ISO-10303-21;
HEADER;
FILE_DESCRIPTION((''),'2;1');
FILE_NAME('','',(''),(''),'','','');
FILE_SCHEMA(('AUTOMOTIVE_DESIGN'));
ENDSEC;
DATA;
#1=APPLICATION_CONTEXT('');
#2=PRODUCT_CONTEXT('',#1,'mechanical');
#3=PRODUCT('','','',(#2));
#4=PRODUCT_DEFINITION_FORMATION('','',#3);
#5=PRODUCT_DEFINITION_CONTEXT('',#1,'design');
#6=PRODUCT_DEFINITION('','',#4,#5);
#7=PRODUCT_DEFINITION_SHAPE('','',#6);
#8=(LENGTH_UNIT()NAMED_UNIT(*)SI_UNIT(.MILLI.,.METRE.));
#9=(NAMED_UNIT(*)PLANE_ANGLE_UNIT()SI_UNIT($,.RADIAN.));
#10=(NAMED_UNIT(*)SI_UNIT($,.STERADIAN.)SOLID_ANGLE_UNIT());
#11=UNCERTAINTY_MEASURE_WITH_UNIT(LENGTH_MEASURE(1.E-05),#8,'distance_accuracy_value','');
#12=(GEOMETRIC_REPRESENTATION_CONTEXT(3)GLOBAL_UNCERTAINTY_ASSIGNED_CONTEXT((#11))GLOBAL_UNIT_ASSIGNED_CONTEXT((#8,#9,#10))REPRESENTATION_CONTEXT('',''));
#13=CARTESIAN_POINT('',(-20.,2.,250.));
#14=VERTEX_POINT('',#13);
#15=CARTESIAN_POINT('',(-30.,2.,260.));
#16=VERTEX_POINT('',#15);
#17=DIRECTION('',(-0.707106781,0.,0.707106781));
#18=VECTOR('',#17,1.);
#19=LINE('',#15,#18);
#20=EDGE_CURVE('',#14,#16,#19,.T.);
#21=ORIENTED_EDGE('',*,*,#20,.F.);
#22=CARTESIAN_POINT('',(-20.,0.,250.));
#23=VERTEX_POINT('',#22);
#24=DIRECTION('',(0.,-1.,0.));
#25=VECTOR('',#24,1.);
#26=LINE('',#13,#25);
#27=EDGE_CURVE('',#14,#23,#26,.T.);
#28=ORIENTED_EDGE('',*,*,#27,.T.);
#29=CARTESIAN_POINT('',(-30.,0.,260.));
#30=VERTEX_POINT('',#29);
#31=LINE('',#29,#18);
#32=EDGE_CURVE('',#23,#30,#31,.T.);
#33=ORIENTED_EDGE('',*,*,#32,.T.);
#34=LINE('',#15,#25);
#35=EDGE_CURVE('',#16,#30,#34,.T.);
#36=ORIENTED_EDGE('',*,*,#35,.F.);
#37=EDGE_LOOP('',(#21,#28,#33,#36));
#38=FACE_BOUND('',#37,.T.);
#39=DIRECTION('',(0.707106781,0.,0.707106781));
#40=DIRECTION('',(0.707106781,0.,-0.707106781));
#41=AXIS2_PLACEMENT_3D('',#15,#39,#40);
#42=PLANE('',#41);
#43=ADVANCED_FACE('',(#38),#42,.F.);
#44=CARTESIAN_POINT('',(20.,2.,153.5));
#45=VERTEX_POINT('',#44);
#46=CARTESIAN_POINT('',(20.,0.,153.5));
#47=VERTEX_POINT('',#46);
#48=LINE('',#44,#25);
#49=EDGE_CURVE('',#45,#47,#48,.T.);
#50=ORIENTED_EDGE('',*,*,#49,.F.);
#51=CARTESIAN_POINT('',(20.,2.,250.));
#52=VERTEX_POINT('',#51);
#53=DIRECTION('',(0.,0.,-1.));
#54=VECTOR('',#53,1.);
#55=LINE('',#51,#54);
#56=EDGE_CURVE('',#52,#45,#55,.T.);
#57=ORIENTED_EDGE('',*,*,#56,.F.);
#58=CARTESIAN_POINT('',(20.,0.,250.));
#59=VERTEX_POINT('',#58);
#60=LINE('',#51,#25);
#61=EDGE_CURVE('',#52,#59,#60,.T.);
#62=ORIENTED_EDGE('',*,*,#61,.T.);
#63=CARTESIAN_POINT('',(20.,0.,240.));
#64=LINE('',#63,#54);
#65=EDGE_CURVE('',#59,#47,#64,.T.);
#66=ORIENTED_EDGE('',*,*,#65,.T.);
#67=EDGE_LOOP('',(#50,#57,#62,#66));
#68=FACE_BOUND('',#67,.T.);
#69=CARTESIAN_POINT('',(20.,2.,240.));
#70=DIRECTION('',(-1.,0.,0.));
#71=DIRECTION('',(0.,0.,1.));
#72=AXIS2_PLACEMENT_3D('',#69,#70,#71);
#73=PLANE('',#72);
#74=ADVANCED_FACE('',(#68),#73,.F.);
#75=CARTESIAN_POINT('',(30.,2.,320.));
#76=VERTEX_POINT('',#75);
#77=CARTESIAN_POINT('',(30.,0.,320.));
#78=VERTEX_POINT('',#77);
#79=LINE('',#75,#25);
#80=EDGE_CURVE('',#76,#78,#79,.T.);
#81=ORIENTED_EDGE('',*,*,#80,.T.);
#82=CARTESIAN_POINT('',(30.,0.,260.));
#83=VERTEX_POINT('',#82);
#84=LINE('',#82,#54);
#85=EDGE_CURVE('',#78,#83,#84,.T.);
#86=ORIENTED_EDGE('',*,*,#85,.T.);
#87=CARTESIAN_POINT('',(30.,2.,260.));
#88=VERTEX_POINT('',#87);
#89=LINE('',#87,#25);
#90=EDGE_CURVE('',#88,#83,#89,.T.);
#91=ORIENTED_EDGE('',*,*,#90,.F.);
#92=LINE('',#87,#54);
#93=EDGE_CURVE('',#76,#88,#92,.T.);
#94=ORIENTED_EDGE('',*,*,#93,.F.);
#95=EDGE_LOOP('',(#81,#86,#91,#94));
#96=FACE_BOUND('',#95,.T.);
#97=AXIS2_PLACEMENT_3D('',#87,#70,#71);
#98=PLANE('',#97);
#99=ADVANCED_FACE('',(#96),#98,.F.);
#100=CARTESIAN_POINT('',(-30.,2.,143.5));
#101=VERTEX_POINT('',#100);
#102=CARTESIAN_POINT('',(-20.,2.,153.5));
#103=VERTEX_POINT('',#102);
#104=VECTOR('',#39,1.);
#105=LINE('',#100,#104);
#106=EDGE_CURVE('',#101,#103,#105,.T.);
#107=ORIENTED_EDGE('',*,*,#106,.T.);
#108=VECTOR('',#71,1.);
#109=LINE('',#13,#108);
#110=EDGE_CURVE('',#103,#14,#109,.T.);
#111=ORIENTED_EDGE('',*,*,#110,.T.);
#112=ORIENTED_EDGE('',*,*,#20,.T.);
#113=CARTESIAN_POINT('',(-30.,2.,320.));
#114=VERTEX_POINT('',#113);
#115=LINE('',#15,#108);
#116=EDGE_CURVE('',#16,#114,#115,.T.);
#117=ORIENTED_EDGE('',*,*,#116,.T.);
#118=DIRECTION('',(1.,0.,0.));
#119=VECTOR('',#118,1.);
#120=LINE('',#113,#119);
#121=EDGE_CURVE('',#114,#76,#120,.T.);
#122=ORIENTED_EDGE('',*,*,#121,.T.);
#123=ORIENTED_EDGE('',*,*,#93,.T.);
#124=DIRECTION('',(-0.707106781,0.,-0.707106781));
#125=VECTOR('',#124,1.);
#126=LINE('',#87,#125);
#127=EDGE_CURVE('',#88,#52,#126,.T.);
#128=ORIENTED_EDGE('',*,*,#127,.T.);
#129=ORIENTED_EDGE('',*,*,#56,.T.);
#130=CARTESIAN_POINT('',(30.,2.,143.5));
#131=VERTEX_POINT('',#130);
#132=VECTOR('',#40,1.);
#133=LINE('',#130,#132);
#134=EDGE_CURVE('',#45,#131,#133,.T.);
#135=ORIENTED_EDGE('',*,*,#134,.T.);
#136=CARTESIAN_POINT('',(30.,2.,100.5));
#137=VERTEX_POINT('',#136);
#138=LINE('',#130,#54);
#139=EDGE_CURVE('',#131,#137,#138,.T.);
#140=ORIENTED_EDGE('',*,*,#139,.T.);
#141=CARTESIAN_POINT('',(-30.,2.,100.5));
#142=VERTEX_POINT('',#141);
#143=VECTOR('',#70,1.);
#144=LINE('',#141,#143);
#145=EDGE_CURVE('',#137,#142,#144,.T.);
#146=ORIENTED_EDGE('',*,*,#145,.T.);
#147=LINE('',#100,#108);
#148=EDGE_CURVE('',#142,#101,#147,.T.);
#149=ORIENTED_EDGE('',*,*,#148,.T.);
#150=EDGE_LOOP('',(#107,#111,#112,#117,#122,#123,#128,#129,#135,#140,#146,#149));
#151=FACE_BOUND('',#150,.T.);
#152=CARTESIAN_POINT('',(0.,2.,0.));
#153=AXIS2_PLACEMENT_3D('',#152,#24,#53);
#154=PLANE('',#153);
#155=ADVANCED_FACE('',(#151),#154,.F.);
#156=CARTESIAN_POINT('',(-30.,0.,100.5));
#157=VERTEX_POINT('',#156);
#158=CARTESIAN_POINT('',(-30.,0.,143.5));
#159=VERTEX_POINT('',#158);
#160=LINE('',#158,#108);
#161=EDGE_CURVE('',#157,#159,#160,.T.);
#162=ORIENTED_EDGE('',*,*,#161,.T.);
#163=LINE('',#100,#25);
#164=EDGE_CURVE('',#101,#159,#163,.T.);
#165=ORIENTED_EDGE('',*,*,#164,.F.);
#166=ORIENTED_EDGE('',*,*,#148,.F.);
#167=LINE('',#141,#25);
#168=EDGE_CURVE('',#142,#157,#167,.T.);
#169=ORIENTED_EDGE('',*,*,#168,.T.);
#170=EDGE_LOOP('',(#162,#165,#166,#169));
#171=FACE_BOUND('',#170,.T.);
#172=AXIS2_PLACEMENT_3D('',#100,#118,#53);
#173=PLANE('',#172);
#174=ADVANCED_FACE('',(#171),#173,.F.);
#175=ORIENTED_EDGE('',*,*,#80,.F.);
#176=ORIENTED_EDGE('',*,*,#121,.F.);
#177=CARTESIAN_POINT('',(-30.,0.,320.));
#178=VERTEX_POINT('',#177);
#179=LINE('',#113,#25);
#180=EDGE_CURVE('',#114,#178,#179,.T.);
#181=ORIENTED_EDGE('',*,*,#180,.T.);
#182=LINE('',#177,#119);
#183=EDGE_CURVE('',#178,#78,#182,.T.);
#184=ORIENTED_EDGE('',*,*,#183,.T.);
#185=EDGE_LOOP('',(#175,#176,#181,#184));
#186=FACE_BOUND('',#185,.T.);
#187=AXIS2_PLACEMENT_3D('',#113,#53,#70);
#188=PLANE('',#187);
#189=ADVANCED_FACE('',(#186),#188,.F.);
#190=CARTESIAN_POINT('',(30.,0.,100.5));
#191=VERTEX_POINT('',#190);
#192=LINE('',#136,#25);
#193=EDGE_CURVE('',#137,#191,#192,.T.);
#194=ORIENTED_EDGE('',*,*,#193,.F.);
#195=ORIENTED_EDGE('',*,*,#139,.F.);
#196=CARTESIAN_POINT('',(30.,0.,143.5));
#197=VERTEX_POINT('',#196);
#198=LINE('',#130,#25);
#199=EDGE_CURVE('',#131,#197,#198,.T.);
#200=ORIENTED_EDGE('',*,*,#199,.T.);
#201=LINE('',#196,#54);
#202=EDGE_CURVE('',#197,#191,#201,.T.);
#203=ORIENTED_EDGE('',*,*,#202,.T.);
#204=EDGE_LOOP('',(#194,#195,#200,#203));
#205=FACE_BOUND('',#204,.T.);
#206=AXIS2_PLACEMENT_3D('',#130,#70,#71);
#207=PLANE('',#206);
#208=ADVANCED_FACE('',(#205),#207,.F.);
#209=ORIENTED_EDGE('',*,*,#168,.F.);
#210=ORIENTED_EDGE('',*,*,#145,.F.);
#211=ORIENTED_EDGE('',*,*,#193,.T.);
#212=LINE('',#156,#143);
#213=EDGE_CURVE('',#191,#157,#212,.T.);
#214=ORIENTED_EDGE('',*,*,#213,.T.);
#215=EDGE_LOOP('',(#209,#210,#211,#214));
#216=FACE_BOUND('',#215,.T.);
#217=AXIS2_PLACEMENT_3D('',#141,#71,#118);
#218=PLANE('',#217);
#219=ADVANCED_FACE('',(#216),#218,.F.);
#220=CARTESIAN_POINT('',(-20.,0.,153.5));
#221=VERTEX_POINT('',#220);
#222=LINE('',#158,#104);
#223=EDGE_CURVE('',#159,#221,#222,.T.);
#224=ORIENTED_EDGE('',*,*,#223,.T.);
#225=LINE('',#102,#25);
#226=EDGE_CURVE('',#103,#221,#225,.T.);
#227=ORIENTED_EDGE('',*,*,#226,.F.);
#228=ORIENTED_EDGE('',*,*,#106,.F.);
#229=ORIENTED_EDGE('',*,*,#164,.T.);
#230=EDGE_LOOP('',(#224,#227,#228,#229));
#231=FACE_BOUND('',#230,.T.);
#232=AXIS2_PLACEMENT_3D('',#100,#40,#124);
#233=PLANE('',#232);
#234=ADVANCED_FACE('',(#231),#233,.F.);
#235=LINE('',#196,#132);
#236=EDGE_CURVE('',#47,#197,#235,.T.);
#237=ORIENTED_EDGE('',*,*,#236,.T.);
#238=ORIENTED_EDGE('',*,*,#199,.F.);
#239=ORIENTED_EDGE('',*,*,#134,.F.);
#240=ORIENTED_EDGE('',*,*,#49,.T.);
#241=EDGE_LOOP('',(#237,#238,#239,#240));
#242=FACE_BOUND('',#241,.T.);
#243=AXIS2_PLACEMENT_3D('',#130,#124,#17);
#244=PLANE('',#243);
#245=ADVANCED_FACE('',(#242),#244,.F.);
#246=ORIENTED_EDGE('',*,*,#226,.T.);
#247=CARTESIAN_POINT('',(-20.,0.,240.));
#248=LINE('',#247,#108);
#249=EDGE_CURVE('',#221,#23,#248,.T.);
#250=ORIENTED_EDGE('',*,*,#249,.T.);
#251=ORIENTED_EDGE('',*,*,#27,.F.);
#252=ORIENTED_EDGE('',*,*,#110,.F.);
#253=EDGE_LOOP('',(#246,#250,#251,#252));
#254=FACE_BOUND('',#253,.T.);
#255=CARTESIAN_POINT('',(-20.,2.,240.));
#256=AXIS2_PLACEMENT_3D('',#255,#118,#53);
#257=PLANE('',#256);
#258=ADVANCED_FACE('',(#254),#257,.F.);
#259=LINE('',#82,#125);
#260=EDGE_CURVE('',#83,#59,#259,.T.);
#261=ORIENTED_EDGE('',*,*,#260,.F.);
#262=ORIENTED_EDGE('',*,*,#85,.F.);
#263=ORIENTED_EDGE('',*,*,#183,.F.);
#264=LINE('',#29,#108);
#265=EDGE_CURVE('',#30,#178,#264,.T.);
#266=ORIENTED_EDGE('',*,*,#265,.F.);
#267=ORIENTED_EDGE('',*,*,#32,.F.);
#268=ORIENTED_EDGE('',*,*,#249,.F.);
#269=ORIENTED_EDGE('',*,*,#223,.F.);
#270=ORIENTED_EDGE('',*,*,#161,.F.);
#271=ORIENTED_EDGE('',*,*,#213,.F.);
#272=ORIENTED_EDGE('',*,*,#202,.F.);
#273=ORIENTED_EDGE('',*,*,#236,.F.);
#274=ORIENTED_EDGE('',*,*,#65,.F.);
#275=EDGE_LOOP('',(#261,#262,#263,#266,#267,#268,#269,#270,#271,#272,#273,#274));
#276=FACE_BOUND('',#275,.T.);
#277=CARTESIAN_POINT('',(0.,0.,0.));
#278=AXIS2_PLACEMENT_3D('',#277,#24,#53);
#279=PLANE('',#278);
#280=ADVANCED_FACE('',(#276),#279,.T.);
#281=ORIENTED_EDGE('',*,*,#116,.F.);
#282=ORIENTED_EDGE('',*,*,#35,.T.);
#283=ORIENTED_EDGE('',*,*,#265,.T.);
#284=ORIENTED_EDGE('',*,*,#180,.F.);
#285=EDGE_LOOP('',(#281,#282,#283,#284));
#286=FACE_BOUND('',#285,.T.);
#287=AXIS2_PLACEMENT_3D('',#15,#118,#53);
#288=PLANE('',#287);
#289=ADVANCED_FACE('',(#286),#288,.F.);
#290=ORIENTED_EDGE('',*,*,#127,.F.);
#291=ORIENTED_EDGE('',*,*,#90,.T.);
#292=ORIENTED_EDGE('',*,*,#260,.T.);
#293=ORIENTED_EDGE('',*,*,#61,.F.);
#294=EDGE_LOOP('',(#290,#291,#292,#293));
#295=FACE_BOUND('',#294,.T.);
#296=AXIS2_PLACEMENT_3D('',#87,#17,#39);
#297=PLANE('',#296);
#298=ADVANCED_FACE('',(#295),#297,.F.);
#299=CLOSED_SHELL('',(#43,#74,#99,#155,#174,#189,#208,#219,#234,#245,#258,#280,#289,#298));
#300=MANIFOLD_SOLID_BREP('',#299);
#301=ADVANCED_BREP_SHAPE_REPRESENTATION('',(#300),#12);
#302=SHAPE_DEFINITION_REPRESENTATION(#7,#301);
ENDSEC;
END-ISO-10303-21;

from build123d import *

# Parameters (mm, degrees)
EXTRUDE_1_DEPTH = 2


with BuildPart() as part:
    # 草图1 → 凸台-拉伸1 (new body)
    with BuildSketch(Plane(origin=(0, 0, 0), x_dir=(1, 0, 0), z_dir=(0, 1, 0))):
        Polygon((-30, -260), (-30, -320), (30, -320), (30, -260), (20, -250), (20, -240), (20, -153.5), (30, -143.5), (30, -100.5), (-30, -100.5), (-30, -143.5), (-20, -153.5), (-20, -240), (-20, -250), align=None)
    extrude(amount=EXTRUDE_1_DEPTH)


solid = part.part
